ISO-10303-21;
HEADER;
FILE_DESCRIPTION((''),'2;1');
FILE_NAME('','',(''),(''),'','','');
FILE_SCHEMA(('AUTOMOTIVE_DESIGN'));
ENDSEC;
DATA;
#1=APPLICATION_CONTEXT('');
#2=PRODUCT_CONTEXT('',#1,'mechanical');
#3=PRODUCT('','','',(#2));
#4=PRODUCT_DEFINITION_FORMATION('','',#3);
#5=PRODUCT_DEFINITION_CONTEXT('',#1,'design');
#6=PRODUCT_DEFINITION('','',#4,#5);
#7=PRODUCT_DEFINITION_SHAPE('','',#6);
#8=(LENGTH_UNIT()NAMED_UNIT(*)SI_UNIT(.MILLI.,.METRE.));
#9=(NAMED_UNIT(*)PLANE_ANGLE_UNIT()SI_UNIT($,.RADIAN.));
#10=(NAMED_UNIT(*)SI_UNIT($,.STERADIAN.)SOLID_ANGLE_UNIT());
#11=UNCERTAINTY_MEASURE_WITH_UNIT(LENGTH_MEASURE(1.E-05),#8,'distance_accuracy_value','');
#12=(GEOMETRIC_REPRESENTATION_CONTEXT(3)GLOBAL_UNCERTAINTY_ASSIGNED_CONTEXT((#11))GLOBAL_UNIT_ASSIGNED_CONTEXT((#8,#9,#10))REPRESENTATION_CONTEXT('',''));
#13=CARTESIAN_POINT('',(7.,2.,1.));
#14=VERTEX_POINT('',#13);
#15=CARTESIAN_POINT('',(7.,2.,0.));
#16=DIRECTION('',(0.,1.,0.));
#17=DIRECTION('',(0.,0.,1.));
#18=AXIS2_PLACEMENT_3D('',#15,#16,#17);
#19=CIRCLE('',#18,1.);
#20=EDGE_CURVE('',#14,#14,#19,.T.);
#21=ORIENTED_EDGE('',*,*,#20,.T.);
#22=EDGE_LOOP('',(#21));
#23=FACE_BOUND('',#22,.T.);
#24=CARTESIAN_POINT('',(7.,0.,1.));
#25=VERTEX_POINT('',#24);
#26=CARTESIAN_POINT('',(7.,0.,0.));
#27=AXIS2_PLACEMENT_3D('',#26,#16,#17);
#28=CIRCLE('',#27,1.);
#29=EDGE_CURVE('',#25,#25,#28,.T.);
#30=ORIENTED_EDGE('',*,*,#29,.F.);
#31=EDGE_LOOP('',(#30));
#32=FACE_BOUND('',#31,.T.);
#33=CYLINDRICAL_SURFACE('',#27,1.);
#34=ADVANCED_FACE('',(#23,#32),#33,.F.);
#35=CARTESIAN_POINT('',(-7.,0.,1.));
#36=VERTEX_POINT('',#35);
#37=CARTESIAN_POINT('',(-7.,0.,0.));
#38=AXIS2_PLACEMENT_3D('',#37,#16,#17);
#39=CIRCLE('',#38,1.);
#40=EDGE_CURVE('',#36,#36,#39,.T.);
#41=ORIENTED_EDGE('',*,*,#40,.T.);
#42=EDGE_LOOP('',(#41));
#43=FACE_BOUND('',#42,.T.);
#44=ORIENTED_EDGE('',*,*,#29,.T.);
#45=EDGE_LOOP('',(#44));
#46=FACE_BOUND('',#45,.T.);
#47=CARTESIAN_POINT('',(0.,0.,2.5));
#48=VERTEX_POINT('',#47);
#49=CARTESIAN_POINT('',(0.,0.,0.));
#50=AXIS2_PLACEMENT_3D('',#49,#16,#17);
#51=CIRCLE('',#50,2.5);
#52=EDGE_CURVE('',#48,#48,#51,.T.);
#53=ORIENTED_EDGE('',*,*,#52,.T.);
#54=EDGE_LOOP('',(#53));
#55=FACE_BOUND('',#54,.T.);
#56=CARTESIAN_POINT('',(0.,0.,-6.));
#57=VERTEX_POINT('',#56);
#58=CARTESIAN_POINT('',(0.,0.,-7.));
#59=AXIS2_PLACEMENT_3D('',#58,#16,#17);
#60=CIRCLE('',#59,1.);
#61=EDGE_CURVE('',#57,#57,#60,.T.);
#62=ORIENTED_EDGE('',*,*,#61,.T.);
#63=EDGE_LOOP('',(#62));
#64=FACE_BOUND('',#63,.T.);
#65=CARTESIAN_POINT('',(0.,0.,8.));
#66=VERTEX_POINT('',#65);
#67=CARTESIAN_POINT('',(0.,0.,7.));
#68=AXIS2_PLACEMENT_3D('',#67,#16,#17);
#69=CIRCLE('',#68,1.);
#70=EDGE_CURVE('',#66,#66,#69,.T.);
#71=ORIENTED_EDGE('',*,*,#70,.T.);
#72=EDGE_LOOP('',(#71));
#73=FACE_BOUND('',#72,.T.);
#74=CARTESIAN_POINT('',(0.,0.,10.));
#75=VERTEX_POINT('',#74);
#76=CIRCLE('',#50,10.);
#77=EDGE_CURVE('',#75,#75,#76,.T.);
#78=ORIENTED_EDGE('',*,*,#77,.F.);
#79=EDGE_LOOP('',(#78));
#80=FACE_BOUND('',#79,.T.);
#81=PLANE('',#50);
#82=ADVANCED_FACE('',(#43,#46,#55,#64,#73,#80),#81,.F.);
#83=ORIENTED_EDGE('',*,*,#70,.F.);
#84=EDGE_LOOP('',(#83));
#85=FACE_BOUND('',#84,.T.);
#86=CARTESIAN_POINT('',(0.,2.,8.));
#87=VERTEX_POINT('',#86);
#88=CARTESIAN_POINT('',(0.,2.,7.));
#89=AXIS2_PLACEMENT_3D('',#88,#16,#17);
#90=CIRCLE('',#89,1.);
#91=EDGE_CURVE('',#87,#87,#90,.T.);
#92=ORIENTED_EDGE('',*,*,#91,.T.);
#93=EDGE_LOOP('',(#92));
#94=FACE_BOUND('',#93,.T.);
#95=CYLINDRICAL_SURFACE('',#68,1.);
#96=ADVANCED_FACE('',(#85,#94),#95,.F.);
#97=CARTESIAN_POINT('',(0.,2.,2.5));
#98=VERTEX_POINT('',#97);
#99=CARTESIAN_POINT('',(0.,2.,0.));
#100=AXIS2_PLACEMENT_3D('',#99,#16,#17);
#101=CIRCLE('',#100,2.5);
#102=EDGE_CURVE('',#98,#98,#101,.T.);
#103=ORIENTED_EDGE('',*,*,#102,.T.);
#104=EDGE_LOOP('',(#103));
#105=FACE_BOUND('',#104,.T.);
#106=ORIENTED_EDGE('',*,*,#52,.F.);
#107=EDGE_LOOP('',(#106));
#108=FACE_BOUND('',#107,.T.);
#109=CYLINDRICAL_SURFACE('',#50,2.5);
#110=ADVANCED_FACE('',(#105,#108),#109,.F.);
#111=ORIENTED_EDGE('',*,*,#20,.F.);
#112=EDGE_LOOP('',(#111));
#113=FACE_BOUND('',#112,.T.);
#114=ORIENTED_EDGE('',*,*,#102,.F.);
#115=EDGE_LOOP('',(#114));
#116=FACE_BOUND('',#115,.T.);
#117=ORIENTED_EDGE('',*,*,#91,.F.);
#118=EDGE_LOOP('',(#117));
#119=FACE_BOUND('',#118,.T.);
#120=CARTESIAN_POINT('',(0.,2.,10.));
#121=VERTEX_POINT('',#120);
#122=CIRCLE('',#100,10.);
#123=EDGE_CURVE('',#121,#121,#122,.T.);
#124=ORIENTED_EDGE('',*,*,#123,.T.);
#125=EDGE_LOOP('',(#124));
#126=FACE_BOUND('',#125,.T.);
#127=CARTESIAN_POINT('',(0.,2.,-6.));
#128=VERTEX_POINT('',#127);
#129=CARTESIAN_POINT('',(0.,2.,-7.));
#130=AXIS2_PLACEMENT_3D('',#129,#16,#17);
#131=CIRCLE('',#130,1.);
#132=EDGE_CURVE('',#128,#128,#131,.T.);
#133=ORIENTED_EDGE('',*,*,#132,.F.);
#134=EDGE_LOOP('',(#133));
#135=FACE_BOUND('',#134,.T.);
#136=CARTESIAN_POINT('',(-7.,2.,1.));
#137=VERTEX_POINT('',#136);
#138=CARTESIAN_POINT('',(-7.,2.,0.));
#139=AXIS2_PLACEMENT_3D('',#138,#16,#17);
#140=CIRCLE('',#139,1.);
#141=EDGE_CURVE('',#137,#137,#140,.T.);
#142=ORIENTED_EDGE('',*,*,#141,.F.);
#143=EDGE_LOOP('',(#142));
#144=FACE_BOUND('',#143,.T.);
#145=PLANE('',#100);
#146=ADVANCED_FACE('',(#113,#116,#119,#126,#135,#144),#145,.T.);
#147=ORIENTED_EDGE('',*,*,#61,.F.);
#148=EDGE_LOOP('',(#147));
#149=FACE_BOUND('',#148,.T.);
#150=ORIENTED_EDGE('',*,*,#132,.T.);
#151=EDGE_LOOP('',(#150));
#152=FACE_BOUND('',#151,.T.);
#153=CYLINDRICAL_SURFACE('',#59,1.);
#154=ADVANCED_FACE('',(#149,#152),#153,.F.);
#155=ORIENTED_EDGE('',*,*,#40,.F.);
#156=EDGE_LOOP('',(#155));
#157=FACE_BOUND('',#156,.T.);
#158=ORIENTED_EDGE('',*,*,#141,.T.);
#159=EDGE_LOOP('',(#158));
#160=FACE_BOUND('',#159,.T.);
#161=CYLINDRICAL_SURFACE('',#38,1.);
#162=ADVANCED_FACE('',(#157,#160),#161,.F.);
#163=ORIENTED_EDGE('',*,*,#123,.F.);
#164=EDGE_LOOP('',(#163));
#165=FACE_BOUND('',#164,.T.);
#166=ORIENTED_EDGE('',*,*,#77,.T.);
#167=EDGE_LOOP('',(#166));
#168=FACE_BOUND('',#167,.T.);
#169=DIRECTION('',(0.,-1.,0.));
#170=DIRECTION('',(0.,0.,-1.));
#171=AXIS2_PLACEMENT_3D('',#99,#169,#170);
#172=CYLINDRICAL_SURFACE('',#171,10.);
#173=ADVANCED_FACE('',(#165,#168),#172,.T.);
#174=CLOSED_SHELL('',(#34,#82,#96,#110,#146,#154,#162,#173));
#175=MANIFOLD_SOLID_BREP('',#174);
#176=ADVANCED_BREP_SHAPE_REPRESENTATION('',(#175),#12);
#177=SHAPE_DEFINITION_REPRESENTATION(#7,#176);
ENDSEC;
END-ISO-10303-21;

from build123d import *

# Parameters (mm, degrees)
SKETCH1_R           = 10
BOSS_EXTRUDE1_DEPTH = 2
SKETCH2_R           = 2.5
CUT_EXTRUDE1_DEPTH  = 2
SKETCH3_R           = 1
CUT_EXTRUDE2_DEPTH  = 2


with BuildPart() as part:
    # Sketch1 → Boss-Extrude1 (new body)
    with BuildSketch(Plane(origin=(0, 0, 0), x_dir=(1, 0, 0), z_dir=(0, 1, 0))):
        with Locations(Location((0, 0, 0), (0, 0, 270))):
            Circle(SKETCH1_R)
    extrude(amount=BOSS_EXTRUDE1_DEPTH)

    # Sketch2 → Cut-Extrude1 (cut)
    with BuildSketch(Plane(origin=(0, 2, 0), x_dir=(1, 0, 0), z_dir=(0, 1, 0))):
        with Locations(Location((0, 0, 0), (0, 0, 270))):
            Circle(SKETCH2_R)
    extrude(amount=-CUT_EXTRUDE1_DEPTH, mode=Mode.SUBTRACT)

    # Sketch3 → Cut-Extrude2 (cut)
    with BuildSketch(Plane(origin=(0, 2, 0), x_dir=(1, 0, 0), z_dir=(0, 1, 0))):
        with Locations(Location((7, 0, 0), (0, 0, 270))):
            Circle(SKETCH3_R)
        with Locations(Location((0, -7, 0), (0, 0, 270))):
            Circle(SKETCH3_R)
        with Locations(Location((-7, 0, 0), (0, 0, 270))):
            Circle(SKETCH3_R)
        with Locations(Location((0, 7, 0), (0, 0, 270))):
            Circle(SKETCH3_R)
    extrude(amount=-CUT_EXTRUDE2_DEPTH, mode=Mode.SUBTRACT)


solid = part.part
